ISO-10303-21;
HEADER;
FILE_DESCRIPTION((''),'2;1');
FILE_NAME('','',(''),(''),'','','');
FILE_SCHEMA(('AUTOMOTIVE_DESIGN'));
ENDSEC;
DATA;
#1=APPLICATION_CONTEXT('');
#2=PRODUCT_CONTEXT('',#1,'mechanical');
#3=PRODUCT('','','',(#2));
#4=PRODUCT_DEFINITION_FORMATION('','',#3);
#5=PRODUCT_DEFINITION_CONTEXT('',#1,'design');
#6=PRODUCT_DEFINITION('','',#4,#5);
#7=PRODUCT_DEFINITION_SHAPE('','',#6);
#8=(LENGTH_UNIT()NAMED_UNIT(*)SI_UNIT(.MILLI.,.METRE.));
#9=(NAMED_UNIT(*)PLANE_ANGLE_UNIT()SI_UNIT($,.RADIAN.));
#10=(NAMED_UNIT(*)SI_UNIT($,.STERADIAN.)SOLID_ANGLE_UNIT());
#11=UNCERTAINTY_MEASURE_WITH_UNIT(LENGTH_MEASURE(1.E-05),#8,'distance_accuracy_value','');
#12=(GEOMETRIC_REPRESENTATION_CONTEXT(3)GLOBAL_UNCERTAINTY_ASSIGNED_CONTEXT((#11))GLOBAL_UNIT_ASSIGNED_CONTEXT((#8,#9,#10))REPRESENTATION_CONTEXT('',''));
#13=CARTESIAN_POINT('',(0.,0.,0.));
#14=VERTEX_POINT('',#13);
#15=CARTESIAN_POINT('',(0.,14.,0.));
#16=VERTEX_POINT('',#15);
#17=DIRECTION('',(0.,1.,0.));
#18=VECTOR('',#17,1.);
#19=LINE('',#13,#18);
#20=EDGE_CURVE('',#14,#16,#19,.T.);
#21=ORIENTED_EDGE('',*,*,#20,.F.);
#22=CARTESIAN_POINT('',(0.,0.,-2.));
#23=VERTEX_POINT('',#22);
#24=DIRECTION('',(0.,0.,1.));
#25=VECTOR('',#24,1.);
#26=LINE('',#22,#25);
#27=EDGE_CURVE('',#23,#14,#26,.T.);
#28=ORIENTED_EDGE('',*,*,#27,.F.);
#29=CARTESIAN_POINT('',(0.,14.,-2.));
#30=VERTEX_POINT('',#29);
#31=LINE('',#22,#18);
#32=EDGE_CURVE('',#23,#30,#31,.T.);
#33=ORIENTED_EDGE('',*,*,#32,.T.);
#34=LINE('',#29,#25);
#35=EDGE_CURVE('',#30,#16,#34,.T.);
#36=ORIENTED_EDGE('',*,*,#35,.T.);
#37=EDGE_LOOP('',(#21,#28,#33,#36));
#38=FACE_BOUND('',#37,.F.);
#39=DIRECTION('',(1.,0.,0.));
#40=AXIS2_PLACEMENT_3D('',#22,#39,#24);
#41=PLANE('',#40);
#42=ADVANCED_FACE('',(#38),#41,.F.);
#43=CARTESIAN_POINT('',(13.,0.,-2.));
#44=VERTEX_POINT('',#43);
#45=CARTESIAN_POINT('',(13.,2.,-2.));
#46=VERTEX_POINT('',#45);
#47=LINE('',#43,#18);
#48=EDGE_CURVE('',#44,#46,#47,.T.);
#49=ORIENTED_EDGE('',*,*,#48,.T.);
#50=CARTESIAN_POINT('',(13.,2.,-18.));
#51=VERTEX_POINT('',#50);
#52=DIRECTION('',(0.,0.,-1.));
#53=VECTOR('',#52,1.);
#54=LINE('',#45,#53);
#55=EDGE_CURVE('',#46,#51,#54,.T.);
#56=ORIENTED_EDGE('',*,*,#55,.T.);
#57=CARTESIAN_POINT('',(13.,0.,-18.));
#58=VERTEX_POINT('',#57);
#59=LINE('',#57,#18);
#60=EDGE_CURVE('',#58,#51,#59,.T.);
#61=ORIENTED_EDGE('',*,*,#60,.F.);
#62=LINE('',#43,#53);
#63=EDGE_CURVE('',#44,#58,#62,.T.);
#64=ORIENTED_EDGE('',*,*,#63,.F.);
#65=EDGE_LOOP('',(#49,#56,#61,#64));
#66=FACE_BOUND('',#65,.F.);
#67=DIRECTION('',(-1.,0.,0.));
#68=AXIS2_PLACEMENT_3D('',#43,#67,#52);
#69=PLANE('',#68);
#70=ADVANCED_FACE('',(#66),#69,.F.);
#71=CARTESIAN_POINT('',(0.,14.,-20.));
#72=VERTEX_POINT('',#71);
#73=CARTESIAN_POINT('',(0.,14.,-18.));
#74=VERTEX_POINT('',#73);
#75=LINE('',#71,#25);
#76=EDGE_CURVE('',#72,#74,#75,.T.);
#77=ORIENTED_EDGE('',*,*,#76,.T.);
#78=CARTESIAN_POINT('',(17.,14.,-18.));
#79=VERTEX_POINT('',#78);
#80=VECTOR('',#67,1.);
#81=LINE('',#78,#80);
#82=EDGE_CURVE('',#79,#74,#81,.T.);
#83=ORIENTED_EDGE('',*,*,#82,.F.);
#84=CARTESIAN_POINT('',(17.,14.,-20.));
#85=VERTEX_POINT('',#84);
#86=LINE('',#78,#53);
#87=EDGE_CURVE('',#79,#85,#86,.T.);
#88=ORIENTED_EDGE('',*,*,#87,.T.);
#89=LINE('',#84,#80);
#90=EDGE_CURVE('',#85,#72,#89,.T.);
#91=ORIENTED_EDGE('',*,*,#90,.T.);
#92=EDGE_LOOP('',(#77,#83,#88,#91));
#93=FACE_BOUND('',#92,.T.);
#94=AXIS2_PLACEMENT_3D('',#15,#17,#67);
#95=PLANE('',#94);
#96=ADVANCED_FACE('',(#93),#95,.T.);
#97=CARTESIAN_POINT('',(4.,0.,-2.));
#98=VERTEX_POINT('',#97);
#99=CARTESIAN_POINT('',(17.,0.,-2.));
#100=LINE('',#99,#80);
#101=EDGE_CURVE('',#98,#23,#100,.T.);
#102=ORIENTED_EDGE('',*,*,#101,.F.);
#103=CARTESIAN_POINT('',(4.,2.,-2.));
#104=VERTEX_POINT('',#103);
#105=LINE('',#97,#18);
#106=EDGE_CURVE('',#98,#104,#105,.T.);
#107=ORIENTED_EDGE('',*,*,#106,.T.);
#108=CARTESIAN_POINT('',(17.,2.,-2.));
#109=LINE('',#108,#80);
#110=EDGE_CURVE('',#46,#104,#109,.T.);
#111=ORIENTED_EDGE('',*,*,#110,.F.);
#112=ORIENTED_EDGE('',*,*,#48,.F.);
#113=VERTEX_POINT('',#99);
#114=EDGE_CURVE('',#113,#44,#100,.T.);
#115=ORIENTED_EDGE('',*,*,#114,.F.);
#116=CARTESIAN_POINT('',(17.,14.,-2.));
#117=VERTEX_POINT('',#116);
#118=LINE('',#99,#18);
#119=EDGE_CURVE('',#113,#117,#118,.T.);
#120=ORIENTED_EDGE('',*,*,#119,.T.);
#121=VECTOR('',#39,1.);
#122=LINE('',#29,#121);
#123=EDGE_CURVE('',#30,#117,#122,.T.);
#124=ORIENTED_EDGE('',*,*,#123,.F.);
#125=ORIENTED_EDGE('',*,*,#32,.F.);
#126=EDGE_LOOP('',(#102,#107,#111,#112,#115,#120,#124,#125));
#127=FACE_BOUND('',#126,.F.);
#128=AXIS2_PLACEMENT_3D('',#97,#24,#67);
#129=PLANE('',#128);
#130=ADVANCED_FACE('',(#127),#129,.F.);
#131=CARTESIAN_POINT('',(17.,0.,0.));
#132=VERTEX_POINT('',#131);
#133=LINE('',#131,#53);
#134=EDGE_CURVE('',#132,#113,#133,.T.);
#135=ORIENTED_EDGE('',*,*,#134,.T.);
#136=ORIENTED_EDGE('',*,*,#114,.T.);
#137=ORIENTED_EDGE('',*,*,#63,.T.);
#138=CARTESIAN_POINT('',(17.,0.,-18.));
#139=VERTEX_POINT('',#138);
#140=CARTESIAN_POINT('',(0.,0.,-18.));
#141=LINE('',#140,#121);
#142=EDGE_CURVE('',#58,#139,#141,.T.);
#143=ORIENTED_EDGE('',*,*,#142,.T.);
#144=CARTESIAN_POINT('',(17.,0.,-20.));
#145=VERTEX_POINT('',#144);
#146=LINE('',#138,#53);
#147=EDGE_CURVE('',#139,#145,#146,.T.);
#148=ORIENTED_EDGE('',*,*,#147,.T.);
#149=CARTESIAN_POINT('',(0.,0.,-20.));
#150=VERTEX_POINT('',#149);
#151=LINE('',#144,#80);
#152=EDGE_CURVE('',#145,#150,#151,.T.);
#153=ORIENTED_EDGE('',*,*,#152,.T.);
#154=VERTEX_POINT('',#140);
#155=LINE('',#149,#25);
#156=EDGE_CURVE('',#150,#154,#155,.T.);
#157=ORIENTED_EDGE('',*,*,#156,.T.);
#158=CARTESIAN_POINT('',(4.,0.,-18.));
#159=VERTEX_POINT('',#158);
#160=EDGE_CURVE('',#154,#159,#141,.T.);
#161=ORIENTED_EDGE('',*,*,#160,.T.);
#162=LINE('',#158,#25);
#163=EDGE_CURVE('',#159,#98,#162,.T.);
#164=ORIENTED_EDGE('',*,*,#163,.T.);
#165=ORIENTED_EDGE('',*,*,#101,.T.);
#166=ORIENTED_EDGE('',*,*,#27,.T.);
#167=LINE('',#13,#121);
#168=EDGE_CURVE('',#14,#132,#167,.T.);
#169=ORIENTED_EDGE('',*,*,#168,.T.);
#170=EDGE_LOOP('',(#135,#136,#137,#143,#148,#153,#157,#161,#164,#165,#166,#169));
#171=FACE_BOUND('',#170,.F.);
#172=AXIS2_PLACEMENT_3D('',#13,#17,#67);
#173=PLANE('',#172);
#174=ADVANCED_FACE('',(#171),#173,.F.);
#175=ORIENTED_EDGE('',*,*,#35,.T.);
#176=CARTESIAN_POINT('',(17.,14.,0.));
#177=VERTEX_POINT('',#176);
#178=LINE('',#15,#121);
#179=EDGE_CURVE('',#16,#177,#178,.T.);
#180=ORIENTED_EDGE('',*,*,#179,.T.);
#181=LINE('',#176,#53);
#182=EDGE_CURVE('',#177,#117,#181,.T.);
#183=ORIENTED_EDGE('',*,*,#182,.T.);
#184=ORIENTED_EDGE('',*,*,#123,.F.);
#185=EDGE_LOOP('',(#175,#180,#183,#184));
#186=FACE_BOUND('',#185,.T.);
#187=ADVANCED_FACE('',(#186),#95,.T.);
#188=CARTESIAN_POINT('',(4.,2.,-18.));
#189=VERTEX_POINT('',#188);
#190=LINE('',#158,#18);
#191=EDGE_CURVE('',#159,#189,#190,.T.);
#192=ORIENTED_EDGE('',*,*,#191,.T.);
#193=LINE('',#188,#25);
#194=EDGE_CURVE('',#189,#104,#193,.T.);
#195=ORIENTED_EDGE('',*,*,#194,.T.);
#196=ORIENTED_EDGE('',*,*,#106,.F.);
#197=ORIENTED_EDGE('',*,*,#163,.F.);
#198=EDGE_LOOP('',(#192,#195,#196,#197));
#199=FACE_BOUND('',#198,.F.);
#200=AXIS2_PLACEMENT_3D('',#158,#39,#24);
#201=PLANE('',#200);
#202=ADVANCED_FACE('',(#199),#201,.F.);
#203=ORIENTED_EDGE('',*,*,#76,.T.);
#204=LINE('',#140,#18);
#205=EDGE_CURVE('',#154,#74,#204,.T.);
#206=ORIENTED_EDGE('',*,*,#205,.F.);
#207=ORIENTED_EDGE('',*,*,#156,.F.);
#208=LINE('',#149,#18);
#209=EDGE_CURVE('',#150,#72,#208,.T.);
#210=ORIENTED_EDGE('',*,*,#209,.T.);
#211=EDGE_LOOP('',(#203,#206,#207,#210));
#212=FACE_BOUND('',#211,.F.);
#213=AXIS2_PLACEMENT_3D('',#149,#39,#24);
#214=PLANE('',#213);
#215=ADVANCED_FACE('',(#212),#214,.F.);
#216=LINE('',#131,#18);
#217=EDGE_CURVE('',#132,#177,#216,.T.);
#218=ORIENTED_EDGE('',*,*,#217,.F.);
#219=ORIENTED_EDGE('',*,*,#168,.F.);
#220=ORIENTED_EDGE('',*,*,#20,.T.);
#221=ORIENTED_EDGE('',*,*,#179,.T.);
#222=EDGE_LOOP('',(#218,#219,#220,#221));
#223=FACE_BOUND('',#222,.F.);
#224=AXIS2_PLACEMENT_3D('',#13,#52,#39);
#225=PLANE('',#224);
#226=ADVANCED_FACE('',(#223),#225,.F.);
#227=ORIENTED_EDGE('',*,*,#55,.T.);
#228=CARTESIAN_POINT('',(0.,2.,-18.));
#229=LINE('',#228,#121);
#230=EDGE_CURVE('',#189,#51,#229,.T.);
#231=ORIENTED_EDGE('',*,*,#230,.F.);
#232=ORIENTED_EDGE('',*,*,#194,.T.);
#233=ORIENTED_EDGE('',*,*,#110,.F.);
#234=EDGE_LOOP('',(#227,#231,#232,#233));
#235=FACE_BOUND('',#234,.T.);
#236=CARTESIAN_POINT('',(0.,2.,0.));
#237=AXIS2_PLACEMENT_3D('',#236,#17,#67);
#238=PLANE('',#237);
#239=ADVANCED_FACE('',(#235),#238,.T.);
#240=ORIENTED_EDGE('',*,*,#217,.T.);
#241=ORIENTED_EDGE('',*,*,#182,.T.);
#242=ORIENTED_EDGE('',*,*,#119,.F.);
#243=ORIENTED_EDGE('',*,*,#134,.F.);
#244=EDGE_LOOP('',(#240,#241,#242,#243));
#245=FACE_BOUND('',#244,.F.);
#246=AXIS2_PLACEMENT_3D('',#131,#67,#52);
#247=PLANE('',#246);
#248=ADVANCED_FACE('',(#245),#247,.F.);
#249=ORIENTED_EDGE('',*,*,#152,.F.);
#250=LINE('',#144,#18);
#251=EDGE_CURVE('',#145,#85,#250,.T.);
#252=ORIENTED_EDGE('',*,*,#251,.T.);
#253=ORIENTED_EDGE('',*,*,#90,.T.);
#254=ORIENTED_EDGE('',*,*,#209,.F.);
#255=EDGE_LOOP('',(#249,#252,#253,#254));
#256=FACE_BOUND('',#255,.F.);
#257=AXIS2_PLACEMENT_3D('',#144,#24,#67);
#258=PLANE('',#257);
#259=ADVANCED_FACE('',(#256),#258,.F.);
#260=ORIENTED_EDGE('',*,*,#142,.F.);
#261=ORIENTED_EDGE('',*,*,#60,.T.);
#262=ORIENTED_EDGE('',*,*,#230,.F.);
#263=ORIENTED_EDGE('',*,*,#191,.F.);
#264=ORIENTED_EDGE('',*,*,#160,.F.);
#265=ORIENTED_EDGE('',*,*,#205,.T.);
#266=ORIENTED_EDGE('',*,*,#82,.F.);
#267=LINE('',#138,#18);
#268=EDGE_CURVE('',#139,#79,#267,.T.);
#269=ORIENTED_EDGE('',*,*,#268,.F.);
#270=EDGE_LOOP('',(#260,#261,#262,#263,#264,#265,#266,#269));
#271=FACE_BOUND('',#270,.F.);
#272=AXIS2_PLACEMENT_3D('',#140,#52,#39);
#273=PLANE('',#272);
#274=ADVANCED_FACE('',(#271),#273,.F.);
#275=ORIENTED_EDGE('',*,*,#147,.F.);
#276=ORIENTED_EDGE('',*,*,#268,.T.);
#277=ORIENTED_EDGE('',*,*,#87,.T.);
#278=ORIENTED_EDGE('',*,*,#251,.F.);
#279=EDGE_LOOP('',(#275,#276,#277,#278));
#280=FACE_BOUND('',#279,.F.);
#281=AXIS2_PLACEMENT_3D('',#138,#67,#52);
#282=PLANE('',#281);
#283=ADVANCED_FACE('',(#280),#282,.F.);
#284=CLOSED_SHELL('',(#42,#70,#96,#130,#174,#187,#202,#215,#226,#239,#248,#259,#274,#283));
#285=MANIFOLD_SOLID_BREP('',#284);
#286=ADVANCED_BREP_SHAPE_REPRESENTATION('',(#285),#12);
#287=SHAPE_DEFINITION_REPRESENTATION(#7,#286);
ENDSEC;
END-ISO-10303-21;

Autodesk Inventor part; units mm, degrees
ref_plane "YZ Plane" through (0, 0, 0) normal (1, 0, 0) x (0, 1, 0)
ref_plane "XZ Plane" through (0, 0, 0) normal (0, 1, 0) x (-1, 0, 0)
ref_plane "XY Plane" through (0, 0, 0) normal (0, 0, 1) x (1, 0, 0)
sketch "Sketch1" plane through (0, 0, 0) normal (0, 1, 0) x (-1, 0, 0)
  line L0 (0, 0) -> (-17, 0)
  line L1 (-17, 0) -> (-17, -2)
  line L2 (-17, -2) -> (0, -2)
  line L3 (0, -2) -> (0, 0)
  line L4 (0, -18) -> (-17, -18)
  line L5 (-17, -18) -> (-17, -20)
  line L6 (-17, -20) -> (0, -20)
  line L7 (0, -20) -> (0, -18)
  line L8 (-4, -2) -> (-13, -2)
  line L9 (-13, -2) -> (-13, -18)
  line L10 (-13, -18) -> (-4, -18)
  line L11 (-4, -18) -> (-4, -2)
  dimension "d0" = 17
  dimension "d1" = 2
  dimension "d2" = 17
  dimension "d3" = 2
  dimension "d4" = 16
  dimension "d7" = 4
  dimension "d8" = 4
extrude "Extrusion1" add sketch "Sketch1" along normal blind 14 contours L3 L2 L1 L0 | L4 L7 L6 L5
extrude "Extrusion2" add sketch "Sketch1" along normal blind 2 contours L11 L4 L9 L2
properties part number "drzakCudliku"
